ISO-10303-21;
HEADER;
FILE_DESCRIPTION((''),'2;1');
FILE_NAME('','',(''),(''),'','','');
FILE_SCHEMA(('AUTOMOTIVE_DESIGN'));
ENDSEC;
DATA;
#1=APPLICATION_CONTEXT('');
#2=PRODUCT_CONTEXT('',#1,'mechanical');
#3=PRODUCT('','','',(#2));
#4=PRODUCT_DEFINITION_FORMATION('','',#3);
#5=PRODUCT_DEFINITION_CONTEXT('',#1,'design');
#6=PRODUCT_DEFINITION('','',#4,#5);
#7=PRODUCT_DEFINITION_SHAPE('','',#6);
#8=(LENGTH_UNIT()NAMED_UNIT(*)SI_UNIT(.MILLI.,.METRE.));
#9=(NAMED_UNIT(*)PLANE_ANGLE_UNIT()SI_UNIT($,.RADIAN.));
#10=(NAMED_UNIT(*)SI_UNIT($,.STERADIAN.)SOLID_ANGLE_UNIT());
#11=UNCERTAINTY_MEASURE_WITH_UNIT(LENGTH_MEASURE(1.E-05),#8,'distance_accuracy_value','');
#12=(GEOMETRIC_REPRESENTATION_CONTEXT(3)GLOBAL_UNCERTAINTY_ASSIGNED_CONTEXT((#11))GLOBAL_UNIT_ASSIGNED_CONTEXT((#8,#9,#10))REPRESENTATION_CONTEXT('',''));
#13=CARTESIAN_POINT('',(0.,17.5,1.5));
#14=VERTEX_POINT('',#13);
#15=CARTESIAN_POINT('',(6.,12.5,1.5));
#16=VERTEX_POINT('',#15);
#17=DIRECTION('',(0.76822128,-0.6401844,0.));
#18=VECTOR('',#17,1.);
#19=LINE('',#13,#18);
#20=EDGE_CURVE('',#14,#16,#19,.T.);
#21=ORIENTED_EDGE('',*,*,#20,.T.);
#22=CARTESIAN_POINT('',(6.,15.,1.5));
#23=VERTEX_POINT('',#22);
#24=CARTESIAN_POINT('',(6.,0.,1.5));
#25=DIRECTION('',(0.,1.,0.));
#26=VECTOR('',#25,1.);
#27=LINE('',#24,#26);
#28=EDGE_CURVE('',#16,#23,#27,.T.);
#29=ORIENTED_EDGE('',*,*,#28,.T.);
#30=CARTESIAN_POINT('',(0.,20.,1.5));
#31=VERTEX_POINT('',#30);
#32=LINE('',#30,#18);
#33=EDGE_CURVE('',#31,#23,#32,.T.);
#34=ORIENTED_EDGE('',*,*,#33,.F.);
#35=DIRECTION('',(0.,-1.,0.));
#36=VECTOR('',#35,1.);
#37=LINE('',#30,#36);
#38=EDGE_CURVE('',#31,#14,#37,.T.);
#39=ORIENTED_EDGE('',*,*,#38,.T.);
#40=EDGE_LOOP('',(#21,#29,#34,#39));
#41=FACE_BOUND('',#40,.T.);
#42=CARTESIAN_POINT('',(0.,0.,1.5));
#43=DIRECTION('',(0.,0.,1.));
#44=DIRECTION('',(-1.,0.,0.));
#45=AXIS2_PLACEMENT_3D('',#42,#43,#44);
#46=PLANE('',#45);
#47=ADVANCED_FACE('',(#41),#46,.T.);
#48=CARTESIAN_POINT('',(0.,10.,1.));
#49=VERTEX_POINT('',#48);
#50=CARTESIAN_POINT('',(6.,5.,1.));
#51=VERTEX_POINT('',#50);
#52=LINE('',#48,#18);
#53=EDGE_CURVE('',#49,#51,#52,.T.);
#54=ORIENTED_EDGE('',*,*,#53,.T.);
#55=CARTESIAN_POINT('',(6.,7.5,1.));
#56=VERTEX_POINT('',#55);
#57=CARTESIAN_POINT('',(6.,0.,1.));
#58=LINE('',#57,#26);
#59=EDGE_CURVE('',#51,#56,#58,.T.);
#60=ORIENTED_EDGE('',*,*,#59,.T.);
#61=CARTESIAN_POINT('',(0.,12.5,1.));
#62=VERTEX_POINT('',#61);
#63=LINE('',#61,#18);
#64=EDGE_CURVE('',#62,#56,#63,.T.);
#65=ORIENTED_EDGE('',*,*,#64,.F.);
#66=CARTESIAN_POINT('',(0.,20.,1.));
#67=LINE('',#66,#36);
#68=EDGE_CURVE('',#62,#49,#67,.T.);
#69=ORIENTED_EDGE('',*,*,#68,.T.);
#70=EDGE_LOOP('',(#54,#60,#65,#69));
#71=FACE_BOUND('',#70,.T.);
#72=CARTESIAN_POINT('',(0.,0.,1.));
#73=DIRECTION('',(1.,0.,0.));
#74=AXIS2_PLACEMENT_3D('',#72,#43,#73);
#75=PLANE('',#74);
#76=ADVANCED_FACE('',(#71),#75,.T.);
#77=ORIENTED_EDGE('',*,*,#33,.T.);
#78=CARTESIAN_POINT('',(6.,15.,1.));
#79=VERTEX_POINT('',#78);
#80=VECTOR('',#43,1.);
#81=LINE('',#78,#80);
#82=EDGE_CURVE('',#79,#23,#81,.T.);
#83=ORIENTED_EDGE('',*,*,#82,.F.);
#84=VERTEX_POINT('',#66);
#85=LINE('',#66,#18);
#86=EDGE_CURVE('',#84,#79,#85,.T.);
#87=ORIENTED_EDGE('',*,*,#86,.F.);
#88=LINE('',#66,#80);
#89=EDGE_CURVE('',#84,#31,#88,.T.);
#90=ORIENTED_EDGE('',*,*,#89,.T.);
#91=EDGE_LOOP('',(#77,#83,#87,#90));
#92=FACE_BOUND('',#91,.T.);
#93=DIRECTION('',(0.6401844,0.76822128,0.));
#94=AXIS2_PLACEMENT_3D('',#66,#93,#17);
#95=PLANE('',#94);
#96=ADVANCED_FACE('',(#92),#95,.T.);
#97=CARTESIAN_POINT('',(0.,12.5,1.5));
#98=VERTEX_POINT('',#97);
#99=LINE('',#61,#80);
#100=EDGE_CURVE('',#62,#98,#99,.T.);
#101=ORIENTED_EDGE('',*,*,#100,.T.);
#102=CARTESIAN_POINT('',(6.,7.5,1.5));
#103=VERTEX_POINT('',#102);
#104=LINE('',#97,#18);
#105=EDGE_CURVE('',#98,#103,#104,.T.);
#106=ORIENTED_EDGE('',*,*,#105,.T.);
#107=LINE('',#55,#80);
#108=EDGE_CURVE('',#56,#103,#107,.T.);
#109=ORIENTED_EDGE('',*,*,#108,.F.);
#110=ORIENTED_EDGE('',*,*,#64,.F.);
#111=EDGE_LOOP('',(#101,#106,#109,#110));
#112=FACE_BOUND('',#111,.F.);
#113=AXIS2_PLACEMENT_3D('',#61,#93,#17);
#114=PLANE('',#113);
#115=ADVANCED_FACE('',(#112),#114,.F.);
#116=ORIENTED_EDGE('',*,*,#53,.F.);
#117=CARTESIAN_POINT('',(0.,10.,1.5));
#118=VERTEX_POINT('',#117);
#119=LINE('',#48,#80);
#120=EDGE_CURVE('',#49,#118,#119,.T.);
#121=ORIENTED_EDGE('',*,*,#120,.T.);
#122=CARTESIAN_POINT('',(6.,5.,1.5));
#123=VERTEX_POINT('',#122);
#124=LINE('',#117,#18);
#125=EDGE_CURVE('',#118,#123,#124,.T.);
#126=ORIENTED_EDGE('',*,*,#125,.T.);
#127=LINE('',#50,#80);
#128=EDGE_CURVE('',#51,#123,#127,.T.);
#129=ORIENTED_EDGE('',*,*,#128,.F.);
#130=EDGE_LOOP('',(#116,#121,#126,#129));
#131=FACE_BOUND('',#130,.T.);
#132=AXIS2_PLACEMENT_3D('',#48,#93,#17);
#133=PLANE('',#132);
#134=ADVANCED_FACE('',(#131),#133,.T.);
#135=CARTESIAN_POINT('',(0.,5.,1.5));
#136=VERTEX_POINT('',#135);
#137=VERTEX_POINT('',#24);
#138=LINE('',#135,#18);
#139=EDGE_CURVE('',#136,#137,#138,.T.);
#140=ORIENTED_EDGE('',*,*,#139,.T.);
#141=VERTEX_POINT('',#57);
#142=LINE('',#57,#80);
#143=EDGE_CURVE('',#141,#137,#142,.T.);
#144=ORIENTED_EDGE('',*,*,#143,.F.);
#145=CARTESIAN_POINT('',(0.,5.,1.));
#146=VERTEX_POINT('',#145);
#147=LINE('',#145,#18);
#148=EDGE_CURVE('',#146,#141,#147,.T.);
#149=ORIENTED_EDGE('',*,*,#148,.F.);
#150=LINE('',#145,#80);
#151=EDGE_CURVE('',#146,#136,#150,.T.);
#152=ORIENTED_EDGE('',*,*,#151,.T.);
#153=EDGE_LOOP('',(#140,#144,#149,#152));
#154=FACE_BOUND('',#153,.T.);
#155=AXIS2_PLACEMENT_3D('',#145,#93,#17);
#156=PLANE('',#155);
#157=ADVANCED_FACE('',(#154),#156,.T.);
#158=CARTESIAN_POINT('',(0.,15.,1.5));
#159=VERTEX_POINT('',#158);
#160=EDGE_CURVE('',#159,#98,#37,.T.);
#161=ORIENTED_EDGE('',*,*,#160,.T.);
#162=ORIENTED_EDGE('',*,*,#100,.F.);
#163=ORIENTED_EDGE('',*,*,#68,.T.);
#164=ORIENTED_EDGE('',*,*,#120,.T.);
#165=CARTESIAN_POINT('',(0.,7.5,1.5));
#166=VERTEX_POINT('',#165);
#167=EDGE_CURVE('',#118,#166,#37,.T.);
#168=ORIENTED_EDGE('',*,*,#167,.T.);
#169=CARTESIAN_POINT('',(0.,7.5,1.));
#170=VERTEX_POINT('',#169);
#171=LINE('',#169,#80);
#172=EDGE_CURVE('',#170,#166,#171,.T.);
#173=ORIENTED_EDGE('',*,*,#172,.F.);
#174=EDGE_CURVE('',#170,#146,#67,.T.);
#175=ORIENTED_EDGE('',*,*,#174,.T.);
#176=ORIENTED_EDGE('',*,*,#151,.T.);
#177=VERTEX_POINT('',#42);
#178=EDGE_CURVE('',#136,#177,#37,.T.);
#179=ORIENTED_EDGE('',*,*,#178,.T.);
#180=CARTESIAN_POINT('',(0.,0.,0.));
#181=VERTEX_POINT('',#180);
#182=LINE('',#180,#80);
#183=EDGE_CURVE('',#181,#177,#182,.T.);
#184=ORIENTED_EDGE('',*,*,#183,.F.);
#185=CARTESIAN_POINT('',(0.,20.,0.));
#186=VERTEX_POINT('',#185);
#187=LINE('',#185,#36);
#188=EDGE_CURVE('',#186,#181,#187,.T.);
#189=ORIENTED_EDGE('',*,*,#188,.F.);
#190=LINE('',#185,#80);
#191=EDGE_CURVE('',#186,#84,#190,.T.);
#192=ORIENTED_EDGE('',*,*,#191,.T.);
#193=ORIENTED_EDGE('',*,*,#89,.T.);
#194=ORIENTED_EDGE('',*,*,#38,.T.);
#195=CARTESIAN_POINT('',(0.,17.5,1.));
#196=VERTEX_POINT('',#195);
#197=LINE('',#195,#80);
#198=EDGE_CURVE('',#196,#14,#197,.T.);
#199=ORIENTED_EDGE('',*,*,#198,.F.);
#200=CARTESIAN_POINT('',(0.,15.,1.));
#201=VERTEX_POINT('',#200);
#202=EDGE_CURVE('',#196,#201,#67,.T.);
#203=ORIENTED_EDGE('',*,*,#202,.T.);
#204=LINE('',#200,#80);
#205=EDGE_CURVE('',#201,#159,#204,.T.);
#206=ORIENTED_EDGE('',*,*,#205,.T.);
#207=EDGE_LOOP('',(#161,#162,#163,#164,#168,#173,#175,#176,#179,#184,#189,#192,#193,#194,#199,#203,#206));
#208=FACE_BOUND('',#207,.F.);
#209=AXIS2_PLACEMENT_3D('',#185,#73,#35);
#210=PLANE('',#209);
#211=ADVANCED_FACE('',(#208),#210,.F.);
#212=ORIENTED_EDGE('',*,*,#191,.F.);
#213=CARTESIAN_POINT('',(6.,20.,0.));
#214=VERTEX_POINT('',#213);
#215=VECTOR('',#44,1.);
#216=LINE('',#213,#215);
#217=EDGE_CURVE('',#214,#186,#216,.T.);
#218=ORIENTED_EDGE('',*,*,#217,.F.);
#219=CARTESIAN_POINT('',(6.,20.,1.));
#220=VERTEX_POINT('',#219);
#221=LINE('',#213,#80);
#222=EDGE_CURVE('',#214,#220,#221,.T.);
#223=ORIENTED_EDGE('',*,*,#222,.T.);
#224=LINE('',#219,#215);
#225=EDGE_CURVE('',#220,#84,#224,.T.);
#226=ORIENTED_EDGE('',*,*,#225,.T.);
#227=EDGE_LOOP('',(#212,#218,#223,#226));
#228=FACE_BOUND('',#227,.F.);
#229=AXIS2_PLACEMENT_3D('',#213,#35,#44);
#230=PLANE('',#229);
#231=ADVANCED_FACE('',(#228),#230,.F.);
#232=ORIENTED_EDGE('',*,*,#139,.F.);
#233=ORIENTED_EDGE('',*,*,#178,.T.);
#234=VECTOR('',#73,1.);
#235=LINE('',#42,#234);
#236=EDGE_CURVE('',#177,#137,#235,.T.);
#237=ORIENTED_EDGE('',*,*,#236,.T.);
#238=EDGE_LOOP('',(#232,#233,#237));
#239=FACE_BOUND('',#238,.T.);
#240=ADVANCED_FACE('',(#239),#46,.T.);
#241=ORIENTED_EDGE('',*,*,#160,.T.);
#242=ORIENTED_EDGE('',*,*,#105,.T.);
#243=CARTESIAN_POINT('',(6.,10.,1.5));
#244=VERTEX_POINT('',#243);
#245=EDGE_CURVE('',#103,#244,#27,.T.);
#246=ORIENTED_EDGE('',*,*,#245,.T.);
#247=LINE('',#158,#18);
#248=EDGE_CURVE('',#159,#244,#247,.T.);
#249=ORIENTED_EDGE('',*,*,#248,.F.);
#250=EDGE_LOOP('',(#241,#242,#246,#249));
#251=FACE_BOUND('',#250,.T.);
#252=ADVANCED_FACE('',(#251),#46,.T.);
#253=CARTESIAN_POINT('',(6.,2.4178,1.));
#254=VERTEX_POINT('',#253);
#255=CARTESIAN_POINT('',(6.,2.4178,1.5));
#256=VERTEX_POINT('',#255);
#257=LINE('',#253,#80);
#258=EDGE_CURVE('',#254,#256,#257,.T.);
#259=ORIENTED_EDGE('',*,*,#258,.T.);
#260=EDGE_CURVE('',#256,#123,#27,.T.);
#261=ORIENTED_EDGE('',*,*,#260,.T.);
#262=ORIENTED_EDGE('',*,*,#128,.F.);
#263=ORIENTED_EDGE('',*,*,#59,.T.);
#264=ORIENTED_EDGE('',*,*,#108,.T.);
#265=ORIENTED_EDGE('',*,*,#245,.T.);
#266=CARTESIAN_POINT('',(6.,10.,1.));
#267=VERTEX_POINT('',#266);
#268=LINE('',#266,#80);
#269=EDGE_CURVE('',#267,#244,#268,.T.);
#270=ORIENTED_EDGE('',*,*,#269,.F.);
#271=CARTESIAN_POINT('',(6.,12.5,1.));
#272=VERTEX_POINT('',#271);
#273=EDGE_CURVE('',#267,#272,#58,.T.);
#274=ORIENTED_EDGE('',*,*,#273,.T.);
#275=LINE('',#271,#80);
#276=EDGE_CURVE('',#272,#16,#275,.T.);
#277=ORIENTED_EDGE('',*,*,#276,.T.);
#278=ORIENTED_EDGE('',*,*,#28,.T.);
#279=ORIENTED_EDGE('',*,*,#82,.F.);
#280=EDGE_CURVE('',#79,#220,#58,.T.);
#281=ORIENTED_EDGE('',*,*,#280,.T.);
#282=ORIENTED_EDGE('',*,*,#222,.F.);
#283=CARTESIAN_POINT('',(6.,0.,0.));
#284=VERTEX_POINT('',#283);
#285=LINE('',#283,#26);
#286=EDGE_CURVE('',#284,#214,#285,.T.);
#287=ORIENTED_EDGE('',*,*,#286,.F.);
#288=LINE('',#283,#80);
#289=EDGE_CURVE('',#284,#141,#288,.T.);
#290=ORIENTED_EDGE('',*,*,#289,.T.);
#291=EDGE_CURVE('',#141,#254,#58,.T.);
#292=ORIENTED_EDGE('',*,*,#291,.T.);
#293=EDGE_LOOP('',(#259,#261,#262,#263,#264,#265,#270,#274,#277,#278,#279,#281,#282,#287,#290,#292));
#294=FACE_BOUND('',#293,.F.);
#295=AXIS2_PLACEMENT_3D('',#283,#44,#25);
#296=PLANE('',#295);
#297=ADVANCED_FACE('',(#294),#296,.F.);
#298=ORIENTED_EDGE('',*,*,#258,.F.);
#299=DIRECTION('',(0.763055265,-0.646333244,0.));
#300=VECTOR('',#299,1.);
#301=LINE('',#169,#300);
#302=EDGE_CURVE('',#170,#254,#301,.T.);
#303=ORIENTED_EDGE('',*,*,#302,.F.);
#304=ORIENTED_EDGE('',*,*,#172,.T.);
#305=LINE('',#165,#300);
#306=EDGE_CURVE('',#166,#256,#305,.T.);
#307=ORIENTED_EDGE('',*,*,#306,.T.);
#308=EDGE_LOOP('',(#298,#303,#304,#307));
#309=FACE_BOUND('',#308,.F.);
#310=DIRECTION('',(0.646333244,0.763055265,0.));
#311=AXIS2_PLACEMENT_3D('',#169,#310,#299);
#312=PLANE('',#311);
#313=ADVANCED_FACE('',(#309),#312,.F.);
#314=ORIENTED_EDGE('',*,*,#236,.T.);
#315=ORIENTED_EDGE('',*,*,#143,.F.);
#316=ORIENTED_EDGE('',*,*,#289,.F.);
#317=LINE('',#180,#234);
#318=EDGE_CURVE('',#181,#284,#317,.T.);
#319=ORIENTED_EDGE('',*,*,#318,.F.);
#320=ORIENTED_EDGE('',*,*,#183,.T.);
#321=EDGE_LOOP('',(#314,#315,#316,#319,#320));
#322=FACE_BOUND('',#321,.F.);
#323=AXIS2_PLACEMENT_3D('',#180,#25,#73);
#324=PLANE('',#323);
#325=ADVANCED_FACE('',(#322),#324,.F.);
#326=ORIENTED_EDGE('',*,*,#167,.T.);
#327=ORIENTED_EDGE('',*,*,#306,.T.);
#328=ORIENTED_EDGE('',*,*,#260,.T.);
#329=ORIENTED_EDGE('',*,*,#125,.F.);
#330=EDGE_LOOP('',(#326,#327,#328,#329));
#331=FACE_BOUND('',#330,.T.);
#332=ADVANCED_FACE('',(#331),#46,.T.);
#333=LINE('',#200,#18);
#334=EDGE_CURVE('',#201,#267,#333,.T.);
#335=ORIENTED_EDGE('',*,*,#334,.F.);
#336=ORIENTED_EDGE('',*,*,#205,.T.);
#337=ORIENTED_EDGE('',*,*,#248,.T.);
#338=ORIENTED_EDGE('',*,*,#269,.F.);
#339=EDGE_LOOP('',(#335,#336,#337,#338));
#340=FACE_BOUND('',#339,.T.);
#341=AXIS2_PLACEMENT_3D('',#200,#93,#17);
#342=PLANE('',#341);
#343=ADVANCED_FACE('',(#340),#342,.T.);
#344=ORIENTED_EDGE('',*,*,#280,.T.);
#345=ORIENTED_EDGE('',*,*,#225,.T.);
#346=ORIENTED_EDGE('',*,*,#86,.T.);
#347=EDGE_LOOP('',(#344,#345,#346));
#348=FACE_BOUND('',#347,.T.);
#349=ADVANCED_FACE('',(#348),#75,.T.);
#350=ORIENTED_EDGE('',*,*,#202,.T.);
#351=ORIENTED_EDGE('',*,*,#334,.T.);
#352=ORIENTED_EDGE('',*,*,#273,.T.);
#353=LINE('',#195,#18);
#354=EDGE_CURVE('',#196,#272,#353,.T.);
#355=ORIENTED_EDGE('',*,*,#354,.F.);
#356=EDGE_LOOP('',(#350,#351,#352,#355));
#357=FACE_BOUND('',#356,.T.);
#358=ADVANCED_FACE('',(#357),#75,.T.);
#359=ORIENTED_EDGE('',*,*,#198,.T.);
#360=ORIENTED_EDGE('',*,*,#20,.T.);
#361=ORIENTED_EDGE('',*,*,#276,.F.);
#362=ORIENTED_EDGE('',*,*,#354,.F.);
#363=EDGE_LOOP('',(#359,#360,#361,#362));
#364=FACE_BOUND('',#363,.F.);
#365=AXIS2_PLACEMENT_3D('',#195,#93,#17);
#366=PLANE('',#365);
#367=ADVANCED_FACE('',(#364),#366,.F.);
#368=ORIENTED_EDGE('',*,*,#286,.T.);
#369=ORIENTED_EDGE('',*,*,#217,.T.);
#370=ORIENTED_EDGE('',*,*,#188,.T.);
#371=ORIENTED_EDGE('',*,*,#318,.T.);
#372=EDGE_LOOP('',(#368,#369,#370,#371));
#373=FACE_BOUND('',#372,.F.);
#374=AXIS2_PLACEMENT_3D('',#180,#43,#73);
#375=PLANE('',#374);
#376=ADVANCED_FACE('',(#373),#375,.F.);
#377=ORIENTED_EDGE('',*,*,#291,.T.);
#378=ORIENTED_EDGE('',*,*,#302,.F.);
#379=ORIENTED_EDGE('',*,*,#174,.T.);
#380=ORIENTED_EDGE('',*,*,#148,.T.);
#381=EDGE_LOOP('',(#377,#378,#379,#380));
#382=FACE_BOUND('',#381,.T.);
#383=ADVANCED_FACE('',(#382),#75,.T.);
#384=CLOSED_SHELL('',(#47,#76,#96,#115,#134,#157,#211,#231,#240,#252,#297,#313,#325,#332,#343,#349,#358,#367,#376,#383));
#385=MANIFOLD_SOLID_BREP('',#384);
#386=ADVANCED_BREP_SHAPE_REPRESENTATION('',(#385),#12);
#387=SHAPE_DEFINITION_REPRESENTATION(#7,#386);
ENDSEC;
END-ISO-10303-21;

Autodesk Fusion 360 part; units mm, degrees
sketch "Sketch1" plane through (0, 0, 0) normal (0, 0, 1) x (1, 0, 0)
  line L0 (0, 0) -> (6, 0)
  line L1 (6, 0) -> (6, 20)
  line L2 (6, 20) -> (0, 20)
  line L3 (0, 20) -> (0, 0)
  dimension "d1" = 6
  dimension "d2" = 20
extrude "Extrude1" add sketch "Sketch1" along normal blind 1 makes body 1
sketch "Sketch2" plane through (0, 0, 1) normal (0, 0, 1) x (-1, 0, 0)
  line L0 (0, -20) -> (0, 0)
  line L1 (0, 0) -> (-6, 0)
  line L2 (-6, 0) -> (-6, -20)
  line L3 (-6, -20) -> (0, -20)
  line L4 (0, -20) -> (-6, -15)
  line L5 (0, -15) -> (-6, -10)
  line L6 (0, -10) -> (-6, -5)
  line L7 (0, -5) -> (-6, 0)
  line L8 (0, -7.5) -> (-6, -2.4178)
  line L9 (0, -12.5) -> (-6, -7.5)
  line L10 (0, -17.5) -> (-6, -12.5)
extrude "Extrude2" add sketch "Sketch2" along normal blind 0.5 contours L0 L2 L4 L10 | L0 L2 L5 L9 | L0 L2 L6 L8 | L0 L1 L7 bodies 1
copy_body "Body->Comp1" bodies 1 removing the originals makes body 2 in component "Component"
component "Component" placed x (1, 0, 0) y (0, 1, 0) z (0, 0, 1) at (0, 0, 0)
